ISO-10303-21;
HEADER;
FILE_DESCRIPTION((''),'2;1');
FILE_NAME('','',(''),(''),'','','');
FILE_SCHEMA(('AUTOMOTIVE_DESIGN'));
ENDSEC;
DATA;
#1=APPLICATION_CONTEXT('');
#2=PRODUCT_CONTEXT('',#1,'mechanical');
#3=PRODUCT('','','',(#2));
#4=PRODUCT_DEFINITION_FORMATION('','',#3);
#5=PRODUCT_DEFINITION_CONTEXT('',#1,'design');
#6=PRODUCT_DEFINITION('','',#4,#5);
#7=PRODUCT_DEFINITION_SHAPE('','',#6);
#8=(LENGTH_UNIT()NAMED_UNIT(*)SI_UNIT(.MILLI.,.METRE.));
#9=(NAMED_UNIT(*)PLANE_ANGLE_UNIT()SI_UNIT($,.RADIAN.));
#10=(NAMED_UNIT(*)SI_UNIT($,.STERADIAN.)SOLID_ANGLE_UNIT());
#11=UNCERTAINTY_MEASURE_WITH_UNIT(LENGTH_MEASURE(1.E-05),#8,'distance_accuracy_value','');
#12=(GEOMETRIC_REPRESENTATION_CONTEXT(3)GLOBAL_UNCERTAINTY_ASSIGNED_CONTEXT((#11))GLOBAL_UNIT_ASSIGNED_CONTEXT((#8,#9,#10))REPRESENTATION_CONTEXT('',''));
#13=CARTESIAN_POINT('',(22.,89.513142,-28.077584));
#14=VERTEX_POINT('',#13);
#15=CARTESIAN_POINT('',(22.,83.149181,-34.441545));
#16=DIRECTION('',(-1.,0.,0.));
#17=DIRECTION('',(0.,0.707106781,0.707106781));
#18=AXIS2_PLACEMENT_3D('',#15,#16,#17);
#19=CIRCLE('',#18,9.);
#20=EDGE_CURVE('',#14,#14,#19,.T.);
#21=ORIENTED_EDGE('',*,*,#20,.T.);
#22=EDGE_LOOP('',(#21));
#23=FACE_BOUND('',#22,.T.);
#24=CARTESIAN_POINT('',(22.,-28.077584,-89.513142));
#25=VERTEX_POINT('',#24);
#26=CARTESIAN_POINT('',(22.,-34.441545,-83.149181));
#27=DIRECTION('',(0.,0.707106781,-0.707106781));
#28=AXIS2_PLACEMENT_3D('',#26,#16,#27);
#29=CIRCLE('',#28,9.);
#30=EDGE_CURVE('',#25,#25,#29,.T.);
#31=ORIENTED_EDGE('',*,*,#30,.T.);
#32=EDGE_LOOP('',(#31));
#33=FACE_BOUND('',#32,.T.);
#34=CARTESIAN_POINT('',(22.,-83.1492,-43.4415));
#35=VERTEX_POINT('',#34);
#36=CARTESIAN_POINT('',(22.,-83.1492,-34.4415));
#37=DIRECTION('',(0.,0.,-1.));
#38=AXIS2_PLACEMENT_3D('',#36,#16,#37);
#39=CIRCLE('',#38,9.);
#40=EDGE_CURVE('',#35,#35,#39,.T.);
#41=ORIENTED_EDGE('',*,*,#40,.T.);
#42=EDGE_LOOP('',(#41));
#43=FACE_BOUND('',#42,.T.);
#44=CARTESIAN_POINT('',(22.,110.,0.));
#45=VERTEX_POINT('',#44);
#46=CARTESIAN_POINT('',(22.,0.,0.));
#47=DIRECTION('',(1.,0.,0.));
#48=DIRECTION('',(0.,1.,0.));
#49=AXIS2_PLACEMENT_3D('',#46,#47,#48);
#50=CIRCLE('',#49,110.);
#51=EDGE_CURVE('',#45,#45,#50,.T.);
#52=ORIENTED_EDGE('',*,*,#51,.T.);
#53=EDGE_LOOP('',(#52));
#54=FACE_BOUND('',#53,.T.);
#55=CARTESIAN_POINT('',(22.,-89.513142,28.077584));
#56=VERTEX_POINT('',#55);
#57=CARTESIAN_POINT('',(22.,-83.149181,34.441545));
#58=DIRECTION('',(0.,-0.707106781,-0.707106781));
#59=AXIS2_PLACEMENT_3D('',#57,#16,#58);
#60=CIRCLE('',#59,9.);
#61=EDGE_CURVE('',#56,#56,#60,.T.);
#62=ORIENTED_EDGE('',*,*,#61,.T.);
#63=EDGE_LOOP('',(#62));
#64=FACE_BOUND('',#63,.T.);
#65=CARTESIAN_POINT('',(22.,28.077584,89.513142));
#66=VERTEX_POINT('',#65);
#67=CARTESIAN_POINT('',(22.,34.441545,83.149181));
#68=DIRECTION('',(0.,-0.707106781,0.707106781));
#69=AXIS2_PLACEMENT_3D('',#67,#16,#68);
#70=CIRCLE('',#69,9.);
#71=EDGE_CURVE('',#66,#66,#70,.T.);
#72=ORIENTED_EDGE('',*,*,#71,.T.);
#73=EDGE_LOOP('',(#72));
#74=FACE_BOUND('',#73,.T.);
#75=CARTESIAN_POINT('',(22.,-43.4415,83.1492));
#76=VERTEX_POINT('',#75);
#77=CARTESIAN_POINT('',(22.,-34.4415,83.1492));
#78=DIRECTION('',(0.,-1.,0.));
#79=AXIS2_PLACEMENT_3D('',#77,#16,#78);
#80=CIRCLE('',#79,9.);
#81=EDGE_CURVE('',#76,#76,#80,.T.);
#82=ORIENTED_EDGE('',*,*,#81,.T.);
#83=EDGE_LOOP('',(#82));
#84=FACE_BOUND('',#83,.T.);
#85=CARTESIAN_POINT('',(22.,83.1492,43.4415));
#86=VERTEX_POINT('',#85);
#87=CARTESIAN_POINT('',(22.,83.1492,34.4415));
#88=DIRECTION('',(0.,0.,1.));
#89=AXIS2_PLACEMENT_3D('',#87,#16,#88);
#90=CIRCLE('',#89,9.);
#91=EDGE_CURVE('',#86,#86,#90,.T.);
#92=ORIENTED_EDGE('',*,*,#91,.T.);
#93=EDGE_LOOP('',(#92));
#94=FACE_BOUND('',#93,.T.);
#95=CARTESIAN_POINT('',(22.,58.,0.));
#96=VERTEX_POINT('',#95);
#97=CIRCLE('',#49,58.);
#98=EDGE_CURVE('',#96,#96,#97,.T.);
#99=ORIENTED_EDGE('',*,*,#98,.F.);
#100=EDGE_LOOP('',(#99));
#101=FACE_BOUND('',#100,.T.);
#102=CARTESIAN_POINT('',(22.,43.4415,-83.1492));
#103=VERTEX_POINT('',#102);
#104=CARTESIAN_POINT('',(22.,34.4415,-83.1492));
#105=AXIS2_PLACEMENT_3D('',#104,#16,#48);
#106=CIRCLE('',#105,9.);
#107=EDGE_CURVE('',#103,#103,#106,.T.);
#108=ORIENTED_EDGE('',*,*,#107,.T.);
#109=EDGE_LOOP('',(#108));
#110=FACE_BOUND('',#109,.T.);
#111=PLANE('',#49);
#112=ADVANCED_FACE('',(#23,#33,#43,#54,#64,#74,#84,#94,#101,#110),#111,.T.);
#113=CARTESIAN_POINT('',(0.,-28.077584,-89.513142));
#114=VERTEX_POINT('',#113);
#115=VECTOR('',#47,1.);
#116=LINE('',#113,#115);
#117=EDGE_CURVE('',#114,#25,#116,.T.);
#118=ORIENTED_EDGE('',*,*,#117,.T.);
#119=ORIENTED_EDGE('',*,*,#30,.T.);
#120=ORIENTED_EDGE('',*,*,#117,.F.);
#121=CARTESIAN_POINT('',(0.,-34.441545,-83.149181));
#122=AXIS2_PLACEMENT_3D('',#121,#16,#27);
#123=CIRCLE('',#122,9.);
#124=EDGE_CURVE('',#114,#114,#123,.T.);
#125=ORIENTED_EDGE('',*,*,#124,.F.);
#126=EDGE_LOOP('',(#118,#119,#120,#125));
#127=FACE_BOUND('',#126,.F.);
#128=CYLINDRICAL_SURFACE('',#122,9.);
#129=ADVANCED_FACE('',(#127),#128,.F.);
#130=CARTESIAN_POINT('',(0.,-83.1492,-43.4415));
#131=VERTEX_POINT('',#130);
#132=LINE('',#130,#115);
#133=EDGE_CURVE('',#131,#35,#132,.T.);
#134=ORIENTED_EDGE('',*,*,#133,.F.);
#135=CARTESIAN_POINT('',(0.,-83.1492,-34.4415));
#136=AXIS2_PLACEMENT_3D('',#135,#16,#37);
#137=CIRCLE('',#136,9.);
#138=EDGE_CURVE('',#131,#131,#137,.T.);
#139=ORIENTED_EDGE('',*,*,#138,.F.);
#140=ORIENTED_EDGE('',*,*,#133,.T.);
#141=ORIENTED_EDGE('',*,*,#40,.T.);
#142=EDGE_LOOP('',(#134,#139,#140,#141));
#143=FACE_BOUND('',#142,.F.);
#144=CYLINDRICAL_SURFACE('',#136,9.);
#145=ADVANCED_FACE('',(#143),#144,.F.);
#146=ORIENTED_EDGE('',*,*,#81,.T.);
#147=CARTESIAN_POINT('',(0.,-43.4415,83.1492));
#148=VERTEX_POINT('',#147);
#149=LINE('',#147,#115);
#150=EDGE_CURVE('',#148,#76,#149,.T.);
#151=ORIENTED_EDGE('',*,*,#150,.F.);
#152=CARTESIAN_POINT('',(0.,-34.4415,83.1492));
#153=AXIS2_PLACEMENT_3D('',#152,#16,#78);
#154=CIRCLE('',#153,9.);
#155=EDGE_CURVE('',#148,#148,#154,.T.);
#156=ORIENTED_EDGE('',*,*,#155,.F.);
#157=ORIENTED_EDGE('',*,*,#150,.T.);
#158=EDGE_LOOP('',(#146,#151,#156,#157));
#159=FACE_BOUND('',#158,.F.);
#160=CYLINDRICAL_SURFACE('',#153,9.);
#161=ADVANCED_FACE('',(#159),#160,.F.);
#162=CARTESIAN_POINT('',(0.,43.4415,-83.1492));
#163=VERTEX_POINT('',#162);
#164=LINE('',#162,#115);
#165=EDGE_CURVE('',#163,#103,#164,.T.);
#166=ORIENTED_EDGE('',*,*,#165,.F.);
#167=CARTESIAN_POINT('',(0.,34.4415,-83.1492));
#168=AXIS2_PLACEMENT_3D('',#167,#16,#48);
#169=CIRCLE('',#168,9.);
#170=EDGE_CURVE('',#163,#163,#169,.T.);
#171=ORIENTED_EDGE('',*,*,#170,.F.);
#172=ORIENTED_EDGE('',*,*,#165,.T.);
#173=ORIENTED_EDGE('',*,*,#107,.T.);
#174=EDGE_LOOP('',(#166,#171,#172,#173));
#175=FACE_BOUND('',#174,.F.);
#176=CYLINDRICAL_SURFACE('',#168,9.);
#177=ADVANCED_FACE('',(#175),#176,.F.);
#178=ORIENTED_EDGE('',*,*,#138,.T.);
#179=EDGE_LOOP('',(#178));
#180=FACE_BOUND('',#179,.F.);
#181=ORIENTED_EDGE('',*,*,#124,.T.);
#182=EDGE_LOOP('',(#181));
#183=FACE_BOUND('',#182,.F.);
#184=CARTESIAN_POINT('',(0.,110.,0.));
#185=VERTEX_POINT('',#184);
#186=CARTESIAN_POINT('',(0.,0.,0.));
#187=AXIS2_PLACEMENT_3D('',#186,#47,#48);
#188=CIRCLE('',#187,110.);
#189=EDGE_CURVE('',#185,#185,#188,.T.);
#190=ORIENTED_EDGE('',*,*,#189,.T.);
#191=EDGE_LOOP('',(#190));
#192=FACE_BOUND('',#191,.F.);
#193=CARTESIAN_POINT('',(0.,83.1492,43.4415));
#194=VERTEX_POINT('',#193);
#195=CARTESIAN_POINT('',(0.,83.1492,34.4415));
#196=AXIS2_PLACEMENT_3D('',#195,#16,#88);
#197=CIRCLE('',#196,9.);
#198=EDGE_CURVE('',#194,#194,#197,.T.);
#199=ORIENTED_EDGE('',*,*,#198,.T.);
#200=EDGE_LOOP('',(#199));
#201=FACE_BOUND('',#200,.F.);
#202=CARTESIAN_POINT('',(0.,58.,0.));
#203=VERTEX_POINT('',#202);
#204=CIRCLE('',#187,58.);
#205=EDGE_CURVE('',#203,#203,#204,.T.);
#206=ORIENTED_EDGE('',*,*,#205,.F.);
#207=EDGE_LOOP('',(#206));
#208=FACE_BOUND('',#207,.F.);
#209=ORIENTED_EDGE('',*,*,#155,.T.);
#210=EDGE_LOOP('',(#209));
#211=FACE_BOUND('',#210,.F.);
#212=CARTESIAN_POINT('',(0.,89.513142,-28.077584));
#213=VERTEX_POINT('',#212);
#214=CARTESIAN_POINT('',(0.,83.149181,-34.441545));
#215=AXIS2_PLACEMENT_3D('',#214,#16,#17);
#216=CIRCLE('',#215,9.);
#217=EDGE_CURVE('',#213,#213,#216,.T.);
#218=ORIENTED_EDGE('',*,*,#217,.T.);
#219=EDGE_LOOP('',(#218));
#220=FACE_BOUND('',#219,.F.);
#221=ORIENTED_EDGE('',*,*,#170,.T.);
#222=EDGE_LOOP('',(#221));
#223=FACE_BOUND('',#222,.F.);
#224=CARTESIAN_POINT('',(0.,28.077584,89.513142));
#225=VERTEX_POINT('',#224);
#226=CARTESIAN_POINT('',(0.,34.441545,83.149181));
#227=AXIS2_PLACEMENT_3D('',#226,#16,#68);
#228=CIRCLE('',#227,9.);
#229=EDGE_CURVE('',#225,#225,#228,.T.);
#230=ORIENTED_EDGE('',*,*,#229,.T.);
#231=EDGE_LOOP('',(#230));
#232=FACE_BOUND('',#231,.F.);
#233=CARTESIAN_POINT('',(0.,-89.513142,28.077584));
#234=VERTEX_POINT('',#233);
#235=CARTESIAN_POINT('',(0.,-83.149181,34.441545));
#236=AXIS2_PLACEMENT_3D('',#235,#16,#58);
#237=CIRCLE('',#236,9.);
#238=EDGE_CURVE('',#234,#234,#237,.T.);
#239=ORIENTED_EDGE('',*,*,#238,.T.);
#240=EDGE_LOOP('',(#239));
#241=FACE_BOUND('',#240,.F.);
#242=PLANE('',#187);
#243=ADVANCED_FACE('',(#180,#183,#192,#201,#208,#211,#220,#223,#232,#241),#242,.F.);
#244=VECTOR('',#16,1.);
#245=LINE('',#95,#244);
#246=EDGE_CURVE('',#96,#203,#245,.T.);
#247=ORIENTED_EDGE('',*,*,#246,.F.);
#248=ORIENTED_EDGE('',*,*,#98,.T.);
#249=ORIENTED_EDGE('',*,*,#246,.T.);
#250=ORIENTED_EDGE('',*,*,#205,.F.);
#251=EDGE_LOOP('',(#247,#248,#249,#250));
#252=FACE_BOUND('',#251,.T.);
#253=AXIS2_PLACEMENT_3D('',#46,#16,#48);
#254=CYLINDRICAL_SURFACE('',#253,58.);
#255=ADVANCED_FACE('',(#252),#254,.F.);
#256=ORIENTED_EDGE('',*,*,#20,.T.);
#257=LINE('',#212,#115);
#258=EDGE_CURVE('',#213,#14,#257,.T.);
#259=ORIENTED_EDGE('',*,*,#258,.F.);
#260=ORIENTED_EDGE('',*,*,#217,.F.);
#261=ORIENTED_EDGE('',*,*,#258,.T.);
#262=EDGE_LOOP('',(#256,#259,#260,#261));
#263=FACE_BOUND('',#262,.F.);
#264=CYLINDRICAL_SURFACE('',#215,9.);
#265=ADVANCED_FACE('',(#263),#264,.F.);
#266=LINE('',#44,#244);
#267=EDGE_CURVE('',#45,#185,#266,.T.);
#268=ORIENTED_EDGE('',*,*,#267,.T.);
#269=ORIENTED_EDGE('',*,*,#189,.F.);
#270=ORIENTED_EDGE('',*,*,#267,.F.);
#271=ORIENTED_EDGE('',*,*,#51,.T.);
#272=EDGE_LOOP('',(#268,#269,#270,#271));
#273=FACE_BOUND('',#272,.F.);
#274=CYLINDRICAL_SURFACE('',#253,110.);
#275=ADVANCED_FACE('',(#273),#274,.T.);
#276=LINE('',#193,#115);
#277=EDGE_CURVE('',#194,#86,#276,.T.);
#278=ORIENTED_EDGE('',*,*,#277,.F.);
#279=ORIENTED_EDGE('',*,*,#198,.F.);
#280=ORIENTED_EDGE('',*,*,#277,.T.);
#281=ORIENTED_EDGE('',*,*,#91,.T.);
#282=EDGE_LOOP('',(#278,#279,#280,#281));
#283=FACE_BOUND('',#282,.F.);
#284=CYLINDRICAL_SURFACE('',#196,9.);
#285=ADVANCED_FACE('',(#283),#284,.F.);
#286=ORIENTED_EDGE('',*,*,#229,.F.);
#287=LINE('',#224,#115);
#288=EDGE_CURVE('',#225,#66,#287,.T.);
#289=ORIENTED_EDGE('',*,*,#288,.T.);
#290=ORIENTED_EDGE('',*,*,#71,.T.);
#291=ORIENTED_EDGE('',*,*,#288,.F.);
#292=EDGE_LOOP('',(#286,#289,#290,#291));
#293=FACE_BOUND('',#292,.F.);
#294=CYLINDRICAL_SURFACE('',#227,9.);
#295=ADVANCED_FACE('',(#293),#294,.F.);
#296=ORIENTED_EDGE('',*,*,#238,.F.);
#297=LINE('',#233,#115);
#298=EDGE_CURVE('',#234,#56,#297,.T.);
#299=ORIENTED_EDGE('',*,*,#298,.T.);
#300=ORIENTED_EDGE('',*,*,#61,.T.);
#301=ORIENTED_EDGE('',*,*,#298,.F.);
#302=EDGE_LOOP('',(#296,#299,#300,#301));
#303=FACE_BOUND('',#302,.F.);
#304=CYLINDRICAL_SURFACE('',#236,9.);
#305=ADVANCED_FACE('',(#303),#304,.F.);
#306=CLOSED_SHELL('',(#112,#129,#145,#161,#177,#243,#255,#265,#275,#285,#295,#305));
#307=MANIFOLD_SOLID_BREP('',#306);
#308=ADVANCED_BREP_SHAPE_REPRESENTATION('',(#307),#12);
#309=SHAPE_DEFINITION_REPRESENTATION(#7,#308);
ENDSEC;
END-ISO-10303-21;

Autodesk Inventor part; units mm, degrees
ref_plane "YZ Plane" through (0, 0, 0) normal (1, 0, 0) x (0, 1, 0)
ref_plane "XZ Plane" through (0, 0, 0) normal (0, 1, 0) x (-1, 0, 0)
ref_plane "XY Plane" through (0, 0, 0) normal (0, 0, 1) x (1, 0, 0)
sketch "Sketch1" plane through (0, 0, 0) normal (0, 0, 1) x (1, 0, 0)
  line L0 (22, 110) -> (0, 110)
  line L1 (0, 110) -> (0, 58)
  line L2 (0, 58) -> (0, 0) construction
  line L3 (0, 0) -> (22, 0) construction
  line L4 (22, 110) -> (22, 58)
  line L5 (22, 58) -> (0, 58)
  line L6 (22, 58) -> (22, 0) construction
  dimension "d0" = 220
  dimension "d1" = 22
  dimension "d6" = 116
revolve "Revolution1" add sketch "Sketch1" angle 360 about axis through (0, 0, 0) along (1, 0, 0)
sketch "Sketch2" plane through (0, 0, 0) normal (-1, 0, 0) x (0, 0, 1)
  circle A0 centre (0, 0) radius 58 projected
  circle A1 centre (0, 0) radius 90 construction
  line L0 (0, 90) -> (0, 0) construction
  circle A2 centre (0, 0) radius 110 projected
  circle A3 centre (34.4415, 83.1492) radius 9
  line L1 (0, 0) -> (34.4415, 83.1492) construction
  dimension "d2" = 180
  dimension "d7" = 18
  dimension "d8" = 22.5
extrude "Extrusion1" cut sketch "Sketch2" against normal through all contours A3
pattern_circular "Circular Pattern1" count 8 over 360 about axis through (11, 0, 0) along (1, 0, 0) of "Extrusion1"
equation "\"d0\" = D"
equation "\"d1\" = C1"
equation "\"d6\" = B1"
equation "\"d2\" = K1"
equation "\"d7\" = L"
equation "\"C1\" = 22"
equation "\"D\" = 220"
equation "\"K1\" = 180"
equation "\"L\" = 18"
equation "\"B1\" = 116"
equation "\"NB\" = 1.2345"
equation "\"Size_Designation\" = 1.2345"
properties part number "ISO 7005-1 Plate Flange for Welding Type 01 Flat Face - ISO PN 16 DN100" material "Steel"
